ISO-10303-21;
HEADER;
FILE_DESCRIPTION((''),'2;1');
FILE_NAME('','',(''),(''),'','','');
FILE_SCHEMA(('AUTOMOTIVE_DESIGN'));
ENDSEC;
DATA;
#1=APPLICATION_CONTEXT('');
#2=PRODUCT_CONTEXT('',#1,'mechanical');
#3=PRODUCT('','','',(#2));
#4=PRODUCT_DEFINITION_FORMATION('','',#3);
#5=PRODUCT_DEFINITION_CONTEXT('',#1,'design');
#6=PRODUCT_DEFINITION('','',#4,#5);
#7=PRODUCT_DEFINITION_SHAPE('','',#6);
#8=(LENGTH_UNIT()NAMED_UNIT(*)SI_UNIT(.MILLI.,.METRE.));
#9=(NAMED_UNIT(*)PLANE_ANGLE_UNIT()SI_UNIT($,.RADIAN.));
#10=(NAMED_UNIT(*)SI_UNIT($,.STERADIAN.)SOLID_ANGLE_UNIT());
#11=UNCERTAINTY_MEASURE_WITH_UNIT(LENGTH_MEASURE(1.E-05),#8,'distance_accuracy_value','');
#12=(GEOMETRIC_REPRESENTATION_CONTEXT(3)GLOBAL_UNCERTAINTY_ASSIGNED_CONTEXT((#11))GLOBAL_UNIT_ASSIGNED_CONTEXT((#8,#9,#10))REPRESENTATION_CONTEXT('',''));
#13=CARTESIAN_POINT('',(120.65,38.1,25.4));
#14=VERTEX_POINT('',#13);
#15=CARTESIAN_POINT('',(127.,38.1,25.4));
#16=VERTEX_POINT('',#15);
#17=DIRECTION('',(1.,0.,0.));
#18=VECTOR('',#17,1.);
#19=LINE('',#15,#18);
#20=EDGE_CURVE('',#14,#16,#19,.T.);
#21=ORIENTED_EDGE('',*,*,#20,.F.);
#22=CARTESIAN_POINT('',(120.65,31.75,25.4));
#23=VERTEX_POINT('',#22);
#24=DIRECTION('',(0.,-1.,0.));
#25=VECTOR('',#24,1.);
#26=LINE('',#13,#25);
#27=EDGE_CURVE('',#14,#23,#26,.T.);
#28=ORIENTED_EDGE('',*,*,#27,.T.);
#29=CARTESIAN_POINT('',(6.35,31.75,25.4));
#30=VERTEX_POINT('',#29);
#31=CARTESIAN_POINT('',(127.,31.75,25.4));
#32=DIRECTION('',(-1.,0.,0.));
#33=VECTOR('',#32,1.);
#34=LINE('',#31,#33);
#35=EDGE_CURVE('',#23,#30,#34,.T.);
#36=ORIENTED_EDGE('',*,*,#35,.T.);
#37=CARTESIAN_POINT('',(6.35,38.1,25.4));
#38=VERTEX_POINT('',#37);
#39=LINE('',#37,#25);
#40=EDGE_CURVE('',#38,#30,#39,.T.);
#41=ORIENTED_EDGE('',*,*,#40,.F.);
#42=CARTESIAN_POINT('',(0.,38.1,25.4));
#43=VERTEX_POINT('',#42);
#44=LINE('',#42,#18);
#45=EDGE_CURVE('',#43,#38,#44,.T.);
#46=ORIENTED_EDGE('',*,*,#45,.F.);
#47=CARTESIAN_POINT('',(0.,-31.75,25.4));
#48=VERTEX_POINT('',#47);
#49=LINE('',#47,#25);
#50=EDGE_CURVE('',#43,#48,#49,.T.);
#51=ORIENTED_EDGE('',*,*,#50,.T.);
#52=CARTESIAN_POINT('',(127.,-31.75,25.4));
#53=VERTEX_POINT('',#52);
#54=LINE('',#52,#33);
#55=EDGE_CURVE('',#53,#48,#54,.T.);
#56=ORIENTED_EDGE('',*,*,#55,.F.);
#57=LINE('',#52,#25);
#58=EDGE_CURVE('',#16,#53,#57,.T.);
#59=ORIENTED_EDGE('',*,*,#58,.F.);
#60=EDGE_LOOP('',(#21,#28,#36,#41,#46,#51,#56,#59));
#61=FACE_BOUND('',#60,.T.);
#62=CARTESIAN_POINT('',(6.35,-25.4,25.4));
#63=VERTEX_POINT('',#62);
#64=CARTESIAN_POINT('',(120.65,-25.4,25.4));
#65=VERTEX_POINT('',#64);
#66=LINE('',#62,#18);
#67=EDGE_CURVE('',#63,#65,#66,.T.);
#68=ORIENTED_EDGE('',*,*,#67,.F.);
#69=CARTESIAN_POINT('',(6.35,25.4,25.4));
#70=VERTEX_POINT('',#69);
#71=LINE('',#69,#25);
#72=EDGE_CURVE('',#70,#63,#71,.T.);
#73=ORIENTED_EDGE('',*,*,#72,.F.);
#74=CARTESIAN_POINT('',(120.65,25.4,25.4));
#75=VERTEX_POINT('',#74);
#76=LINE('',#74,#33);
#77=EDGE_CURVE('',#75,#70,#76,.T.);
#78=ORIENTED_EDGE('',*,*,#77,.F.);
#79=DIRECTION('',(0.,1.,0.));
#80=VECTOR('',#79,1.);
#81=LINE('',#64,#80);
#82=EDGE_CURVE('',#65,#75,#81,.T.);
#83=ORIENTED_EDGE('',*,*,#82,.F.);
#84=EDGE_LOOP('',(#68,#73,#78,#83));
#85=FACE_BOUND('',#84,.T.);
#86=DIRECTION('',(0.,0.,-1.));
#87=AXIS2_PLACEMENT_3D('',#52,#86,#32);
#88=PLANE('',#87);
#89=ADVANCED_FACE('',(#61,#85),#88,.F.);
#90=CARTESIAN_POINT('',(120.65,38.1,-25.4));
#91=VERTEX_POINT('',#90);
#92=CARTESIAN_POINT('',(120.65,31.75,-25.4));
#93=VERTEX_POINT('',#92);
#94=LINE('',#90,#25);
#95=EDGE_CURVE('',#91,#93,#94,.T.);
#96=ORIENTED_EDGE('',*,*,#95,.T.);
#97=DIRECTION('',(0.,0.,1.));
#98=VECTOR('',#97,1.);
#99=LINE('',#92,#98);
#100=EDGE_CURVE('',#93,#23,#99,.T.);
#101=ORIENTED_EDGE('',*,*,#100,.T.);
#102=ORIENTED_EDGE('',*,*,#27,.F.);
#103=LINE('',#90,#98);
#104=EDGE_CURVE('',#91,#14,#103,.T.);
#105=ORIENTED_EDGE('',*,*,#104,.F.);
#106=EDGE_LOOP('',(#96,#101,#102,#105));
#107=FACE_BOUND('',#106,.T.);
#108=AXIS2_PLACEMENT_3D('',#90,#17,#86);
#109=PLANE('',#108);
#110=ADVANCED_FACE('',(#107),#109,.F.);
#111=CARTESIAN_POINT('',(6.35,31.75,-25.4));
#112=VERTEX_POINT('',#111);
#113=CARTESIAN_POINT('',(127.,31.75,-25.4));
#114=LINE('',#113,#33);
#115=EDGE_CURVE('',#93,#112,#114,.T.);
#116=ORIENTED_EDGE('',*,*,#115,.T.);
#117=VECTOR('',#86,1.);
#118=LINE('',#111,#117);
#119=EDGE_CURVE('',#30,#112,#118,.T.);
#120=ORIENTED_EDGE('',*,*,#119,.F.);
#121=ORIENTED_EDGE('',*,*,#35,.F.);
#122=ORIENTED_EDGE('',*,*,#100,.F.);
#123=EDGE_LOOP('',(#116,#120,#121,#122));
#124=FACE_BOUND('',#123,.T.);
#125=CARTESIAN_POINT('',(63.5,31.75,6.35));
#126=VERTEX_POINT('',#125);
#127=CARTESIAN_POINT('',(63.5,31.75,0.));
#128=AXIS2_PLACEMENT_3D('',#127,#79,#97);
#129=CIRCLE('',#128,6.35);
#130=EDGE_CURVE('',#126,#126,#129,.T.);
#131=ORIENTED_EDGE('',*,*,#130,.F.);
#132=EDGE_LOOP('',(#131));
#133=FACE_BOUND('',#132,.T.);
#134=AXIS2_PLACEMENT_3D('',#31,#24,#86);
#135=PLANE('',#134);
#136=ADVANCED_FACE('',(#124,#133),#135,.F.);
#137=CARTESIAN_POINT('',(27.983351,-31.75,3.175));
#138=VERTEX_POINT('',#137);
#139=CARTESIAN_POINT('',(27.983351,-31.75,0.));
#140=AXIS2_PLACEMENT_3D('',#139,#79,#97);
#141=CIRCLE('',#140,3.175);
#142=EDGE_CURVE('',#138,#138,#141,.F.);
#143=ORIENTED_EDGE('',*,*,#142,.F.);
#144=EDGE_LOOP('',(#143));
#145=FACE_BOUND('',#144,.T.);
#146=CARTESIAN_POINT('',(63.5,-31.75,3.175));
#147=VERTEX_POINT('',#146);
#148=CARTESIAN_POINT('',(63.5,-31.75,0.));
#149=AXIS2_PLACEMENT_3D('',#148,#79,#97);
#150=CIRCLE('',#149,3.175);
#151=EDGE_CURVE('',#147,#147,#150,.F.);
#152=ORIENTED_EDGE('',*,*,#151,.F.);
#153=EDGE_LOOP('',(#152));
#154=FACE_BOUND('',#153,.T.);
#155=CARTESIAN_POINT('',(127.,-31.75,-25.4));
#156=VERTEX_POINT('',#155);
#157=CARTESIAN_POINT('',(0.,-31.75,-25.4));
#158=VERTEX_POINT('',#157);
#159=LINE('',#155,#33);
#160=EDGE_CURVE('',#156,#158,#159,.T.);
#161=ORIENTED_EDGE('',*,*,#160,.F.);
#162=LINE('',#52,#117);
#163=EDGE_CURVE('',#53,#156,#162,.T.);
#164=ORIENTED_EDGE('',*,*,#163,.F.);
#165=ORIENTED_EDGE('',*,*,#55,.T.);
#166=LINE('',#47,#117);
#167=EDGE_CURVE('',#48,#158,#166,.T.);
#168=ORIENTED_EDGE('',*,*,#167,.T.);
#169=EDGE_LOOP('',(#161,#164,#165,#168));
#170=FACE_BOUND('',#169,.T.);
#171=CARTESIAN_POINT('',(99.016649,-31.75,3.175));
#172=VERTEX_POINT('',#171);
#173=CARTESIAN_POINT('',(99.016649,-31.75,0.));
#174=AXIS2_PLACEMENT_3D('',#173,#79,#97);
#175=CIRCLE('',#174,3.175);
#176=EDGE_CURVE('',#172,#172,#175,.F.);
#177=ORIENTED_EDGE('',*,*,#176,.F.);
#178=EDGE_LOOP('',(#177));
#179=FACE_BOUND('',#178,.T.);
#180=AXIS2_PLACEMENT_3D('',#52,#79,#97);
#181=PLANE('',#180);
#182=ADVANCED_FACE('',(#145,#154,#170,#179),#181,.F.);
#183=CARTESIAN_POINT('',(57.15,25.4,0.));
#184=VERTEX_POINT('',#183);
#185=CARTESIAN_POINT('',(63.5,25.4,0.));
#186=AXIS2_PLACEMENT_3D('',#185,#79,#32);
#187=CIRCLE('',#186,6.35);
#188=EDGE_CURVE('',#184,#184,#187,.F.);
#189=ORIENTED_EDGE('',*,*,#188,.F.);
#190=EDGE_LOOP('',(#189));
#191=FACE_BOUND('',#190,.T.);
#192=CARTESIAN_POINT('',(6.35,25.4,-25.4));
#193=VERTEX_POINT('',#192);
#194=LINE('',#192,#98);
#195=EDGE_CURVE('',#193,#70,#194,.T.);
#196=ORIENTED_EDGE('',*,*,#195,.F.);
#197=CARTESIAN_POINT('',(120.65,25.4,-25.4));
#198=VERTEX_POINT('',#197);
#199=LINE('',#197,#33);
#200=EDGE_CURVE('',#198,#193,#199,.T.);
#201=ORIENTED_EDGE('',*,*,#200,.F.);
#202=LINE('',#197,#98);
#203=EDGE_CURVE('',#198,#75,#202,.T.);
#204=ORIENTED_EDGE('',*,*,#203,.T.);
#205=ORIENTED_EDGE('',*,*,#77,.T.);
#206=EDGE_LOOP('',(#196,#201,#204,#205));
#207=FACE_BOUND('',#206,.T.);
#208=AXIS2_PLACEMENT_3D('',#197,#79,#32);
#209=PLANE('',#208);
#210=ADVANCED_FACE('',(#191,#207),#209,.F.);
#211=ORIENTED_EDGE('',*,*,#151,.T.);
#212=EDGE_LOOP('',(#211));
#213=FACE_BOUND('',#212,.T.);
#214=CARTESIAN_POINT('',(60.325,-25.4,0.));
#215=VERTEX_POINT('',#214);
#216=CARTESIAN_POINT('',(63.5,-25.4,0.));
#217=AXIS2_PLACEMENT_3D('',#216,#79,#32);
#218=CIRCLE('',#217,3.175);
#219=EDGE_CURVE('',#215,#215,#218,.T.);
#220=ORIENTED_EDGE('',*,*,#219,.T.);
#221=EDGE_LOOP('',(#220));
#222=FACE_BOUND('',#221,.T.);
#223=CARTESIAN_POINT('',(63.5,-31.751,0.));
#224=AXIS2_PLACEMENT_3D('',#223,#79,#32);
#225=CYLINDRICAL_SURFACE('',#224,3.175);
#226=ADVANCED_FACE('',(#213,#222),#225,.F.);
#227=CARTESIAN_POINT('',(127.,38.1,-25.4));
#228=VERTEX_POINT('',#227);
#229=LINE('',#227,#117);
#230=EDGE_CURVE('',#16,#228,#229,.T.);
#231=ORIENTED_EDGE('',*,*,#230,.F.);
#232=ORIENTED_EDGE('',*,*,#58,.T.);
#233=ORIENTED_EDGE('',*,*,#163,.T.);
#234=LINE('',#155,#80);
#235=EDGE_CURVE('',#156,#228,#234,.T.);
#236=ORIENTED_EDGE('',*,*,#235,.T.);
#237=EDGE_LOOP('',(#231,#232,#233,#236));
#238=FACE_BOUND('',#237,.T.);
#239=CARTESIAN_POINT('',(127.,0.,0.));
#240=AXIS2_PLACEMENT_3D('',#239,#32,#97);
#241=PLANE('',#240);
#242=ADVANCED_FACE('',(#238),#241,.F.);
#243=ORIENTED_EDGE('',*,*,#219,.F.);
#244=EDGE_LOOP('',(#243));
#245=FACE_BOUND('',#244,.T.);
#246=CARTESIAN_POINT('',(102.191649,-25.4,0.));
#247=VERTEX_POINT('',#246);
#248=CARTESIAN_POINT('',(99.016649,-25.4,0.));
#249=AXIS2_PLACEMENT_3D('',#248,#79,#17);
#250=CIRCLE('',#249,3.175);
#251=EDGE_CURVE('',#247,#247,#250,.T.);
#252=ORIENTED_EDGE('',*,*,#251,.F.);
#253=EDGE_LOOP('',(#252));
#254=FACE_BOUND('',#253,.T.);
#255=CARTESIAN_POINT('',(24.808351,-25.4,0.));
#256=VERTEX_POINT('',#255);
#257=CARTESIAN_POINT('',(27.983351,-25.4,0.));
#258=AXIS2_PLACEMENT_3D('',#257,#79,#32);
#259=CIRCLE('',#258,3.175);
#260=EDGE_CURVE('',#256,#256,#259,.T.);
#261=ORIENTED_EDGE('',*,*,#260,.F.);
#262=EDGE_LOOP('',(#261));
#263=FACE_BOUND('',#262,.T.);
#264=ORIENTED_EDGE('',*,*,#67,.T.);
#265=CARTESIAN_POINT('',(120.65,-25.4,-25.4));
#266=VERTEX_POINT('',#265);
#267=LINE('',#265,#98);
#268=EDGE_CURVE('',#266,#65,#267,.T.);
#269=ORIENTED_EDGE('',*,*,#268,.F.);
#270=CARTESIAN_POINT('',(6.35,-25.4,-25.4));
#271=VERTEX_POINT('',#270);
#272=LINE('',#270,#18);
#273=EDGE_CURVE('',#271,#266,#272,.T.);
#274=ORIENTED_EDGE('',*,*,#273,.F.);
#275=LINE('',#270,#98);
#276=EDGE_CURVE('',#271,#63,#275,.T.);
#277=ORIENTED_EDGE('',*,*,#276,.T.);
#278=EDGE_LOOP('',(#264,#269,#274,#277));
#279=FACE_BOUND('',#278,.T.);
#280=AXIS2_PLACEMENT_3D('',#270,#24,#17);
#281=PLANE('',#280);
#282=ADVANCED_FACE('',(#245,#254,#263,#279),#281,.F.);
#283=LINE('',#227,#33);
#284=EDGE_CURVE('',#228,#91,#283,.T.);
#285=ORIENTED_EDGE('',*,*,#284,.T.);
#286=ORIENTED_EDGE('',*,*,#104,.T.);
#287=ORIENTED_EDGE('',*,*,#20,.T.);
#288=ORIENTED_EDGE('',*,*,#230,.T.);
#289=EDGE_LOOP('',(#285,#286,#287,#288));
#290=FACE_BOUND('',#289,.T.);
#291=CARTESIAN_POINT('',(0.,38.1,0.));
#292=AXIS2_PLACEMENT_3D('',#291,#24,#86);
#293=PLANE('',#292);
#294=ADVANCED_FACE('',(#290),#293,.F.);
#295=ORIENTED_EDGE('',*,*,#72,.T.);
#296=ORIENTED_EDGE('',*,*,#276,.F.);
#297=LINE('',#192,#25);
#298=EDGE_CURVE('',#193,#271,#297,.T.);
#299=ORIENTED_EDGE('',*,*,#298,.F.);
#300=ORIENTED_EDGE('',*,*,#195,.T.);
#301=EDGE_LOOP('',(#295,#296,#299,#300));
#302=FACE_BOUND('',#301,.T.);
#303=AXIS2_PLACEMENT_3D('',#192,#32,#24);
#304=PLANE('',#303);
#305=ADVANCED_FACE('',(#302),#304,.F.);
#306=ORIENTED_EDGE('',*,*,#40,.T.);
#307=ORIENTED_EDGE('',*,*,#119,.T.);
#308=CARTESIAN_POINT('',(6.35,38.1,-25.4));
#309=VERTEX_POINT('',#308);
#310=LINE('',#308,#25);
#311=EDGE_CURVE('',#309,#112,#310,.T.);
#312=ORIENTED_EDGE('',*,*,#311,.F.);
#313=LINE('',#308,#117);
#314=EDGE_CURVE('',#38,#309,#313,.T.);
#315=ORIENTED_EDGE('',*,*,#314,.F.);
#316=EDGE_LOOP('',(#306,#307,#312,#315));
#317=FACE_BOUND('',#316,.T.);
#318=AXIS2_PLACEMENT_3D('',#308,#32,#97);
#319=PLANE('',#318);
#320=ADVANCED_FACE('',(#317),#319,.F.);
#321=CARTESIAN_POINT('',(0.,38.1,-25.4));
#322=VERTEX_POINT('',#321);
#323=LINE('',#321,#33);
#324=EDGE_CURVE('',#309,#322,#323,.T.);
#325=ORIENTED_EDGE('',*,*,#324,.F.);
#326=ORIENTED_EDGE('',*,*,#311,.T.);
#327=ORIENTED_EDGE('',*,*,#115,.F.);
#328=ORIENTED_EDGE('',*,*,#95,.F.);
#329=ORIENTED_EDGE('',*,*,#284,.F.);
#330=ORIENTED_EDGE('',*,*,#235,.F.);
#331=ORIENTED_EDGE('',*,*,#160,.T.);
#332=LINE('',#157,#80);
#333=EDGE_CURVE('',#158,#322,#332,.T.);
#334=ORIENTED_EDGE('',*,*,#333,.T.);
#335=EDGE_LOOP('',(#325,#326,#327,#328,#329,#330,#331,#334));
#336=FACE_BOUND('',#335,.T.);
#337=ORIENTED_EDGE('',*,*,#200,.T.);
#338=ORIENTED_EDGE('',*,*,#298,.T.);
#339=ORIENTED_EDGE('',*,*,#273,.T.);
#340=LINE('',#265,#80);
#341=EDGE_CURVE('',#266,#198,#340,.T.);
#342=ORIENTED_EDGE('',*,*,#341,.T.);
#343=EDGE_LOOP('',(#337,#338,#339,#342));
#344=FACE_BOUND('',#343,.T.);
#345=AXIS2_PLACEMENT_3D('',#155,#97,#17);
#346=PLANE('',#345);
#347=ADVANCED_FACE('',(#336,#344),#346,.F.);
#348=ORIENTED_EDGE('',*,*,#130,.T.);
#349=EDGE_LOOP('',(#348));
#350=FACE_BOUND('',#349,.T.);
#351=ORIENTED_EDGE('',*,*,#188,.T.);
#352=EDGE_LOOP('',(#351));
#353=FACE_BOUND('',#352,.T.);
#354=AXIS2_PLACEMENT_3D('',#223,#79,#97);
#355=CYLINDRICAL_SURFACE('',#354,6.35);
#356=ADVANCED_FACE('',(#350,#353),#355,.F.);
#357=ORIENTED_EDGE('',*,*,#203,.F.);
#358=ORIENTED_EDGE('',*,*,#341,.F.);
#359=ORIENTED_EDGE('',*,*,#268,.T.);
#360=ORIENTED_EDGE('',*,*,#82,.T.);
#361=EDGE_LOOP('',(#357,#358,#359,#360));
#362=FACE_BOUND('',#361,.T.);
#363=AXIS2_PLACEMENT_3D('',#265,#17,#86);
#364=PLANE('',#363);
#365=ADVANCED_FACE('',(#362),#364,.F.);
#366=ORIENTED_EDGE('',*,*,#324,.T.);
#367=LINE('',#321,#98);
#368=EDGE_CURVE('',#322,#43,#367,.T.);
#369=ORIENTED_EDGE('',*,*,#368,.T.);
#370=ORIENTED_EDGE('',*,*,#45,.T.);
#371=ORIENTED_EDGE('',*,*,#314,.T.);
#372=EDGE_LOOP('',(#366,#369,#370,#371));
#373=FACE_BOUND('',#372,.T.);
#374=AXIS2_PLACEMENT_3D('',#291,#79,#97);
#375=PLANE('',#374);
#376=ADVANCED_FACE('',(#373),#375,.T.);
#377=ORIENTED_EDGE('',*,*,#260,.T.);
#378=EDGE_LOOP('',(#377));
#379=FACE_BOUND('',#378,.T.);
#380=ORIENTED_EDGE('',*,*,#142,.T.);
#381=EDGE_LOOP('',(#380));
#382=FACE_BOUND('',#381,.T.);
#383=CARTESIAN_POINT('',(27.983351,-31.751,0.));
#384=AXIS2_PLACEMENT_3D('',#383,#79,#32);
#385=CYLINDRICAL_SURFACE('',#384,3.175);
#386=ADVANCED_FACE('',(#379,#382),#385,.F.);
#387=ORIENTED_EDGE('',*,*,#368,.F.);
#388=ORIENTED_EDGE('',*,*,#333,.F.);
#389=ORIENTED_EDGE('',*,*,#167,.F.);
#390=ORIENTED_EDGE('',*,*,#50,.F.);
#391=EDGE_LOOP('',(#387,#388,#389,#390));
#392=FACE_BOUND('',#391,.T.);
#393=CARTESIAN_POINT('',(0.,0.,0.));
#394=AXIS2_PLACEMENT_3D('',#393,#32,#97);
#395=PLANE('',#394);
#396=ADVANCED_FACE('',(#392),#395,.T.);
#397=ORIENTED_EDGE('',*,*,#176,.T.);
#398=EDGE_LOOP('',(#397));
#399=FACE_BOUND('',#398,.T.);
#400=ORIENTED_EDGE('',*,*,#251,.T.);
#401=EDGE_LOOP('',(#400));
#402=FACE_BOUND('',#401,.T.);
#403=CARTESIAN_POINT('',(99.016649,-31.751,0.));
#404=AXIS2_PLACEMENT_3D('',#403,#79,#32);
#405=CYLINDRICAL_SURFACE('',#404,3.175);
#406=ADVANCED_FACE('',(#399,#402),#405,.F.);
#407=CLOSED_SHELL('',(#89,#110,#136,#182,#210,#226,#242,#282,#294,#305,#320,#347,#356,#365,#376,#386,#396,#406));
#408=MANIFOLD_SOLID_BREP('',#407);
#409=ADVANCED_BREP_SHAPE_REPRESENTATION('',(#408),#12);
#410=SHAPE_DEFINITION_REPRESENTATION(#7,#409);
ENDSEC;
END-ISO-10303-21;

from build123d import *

# Parameters (mm, degrees)
SKETCH1_W               = 50.8
SKETCH1_H               = 63.5
BOSS_EXTRUDE1_DEPTH     = 127
SKETCH2_W               = 6.35
SKETCH2_H               = 50.8
BOSS_EXTRUDE2_DEPTH     = 6.35
CUT_EXTRUDE2_DEPTH      = 136.002851822
CUT_EXTRUDE2_DEPTH_BACK = 136.002851822
SKETCH4_W               = 114.3
SKETCH4_H               = 50.8
CUT_EXTRUDE3_REACH      = 146.244
SKETCH5_R               = 6.35
CUT_EXTRUDE4_REACH      = 146.244
SKETCH6_R               = 3.175


with BuildPart() as part:
    # Sketch1 → Boss-Extrude1 (new body)
    with BuildSketch(Plane(origin=(0, 0, 0), x_dir=(0, 0, -1), z_dir=(1, 0, 0))):
        Rectangle(SKETCH1_W, SKETCH1_H)
    extrude(amount=BOSS_EXTRUDE1_DEPTH)

    # Sketch2 → Boss-Extrude2 (add)
    with BuildSketch(Plane(origin=(0, 31.75, 0), x_dir=(1, 0, 0), z_dir=(0, 1, 0))):
        with Locations((123.825, 0)):
            Rectangle(SKETCH2_W, SKETCH2_H)
        with Locations((3.175, 0)):
            Rectangle(SKETCH2_W, SKETCH2_H)
    extrude(amount=BOSS_EXTRUDE2_DEPTH)

    # Sketch4 → Cut-Extrude2 (cut, two sides: drawn at the far end of the back side and taken through both)
    with BuildSketch(Plane.XY.offset(-CUT_EXTRUDE2_DEPTH_BACK)):
        with Locations((63.5, 0)):
            Rectangle(SKETCH4_W, SKETCH4_H)
    extrude(amount=CUT_EXTRUDE2_DEPTH + CUT_EXTRUDE2_DEPTH_BACK, mode=Mode.SUBTRACT)

    # Sketch5 → Cut-Extrude3 (cut, up to next)
    with BuildSketch(Plane(origin=(0, 31.75, 0), x_dir=(1, 0, 0), z_dir=(0, 1, 0)), mode=Mode.PRIVATE) as cut_extrude3_sk1:
        with Locations(Location((63.5, 0, 0), (0, 0, 270))):
            Circle(SKETCH5_R)
    cut_extrude3_tool1 = extrude(cut_extrude3_sk1.sketch, amount=-CUT_EXTRUDE3_REACH, mode=Mode.PRIVATE) & part.part
    add(cut_extrude3_tool1.solids().sort_by_distance((63.5, 31.75, 0))[0], mode=Mode.SUBTRACT)

    # Sketch6 → Cut-Extrude4 (cut, up to next)
    with BuildSketch(Plane(origin=(0, -25.4, 0), x_dir=(1, 0, 0), z_dir=(0, 1, 0)), mode=Mode.PRIVATE) as cut_extrude4_sk1:
        with Locations(Location((63.5, 0, 0), (0, 0, 180))):
            Circle(SKETCH6_R)
    cut_extrude4_tool1 = extrude(cut_extrude4_sk1.sketch, amount=-CUT_EXTRUDE4_REACH, mode=Mode.PRIVATE) & part.part
    # Sketch6 → Cut-Extrude4 (cut, up to next)
    with BuildSketch(Plane(origin=(0, -25.4, 0), x_dir=(1, 0, 0), z_dir=(0, 1, 0)), mode=Mode.PRIVATE) as cut_extrude4_sk2:
        with Locations(Location((27.983351472, 0, 0), (0, 0, 180))):
            Circle(SKETCH6_R)
    cut_extrude4_tool2 = extrude(cut_extrude4_sk2.sketch, amount=-CUT_EXTRUDE4_REACH, mode=Mode.PRIVATE) & part.part
    # Sketch6 → Cut-Extrude4 (cut, up to next)
    with BuildSketch(Plane(origin=(0, -25.4, 0), x_dir=(1, 0, 0), z_dir=(0, 1, 0)), mode=Mode.PRIVATE) as cut_extrude4_sk3:
        with Locations(Location((99.016648528, 0, 0), (0, 0, 270))):
            Circle(SKETCH6_R)
    cut_extrude4_tool3 = extrude(cut_extrude4_sk3.sketch, amount=-CUT_EXTRUDE4_REACH, mode=Mode.PRIVATE) & part.part
    add(cut_extrude4_tool1.solids().sort_by_distance((63.5, -25.4, 0))[0], mode=Mode.SUBTRACT)
    add(cut_extrude4_tool2.solids().sort_by_distance((27.983351, -25.4, 0))[0], mode=Mode.SUBTRACT)
    add(cut_extrude4_tool3.solids().sort_by_distance((99.016649, -25.4, 0))[0], mode=Mode.SUBTRACT)


solid = part.part
